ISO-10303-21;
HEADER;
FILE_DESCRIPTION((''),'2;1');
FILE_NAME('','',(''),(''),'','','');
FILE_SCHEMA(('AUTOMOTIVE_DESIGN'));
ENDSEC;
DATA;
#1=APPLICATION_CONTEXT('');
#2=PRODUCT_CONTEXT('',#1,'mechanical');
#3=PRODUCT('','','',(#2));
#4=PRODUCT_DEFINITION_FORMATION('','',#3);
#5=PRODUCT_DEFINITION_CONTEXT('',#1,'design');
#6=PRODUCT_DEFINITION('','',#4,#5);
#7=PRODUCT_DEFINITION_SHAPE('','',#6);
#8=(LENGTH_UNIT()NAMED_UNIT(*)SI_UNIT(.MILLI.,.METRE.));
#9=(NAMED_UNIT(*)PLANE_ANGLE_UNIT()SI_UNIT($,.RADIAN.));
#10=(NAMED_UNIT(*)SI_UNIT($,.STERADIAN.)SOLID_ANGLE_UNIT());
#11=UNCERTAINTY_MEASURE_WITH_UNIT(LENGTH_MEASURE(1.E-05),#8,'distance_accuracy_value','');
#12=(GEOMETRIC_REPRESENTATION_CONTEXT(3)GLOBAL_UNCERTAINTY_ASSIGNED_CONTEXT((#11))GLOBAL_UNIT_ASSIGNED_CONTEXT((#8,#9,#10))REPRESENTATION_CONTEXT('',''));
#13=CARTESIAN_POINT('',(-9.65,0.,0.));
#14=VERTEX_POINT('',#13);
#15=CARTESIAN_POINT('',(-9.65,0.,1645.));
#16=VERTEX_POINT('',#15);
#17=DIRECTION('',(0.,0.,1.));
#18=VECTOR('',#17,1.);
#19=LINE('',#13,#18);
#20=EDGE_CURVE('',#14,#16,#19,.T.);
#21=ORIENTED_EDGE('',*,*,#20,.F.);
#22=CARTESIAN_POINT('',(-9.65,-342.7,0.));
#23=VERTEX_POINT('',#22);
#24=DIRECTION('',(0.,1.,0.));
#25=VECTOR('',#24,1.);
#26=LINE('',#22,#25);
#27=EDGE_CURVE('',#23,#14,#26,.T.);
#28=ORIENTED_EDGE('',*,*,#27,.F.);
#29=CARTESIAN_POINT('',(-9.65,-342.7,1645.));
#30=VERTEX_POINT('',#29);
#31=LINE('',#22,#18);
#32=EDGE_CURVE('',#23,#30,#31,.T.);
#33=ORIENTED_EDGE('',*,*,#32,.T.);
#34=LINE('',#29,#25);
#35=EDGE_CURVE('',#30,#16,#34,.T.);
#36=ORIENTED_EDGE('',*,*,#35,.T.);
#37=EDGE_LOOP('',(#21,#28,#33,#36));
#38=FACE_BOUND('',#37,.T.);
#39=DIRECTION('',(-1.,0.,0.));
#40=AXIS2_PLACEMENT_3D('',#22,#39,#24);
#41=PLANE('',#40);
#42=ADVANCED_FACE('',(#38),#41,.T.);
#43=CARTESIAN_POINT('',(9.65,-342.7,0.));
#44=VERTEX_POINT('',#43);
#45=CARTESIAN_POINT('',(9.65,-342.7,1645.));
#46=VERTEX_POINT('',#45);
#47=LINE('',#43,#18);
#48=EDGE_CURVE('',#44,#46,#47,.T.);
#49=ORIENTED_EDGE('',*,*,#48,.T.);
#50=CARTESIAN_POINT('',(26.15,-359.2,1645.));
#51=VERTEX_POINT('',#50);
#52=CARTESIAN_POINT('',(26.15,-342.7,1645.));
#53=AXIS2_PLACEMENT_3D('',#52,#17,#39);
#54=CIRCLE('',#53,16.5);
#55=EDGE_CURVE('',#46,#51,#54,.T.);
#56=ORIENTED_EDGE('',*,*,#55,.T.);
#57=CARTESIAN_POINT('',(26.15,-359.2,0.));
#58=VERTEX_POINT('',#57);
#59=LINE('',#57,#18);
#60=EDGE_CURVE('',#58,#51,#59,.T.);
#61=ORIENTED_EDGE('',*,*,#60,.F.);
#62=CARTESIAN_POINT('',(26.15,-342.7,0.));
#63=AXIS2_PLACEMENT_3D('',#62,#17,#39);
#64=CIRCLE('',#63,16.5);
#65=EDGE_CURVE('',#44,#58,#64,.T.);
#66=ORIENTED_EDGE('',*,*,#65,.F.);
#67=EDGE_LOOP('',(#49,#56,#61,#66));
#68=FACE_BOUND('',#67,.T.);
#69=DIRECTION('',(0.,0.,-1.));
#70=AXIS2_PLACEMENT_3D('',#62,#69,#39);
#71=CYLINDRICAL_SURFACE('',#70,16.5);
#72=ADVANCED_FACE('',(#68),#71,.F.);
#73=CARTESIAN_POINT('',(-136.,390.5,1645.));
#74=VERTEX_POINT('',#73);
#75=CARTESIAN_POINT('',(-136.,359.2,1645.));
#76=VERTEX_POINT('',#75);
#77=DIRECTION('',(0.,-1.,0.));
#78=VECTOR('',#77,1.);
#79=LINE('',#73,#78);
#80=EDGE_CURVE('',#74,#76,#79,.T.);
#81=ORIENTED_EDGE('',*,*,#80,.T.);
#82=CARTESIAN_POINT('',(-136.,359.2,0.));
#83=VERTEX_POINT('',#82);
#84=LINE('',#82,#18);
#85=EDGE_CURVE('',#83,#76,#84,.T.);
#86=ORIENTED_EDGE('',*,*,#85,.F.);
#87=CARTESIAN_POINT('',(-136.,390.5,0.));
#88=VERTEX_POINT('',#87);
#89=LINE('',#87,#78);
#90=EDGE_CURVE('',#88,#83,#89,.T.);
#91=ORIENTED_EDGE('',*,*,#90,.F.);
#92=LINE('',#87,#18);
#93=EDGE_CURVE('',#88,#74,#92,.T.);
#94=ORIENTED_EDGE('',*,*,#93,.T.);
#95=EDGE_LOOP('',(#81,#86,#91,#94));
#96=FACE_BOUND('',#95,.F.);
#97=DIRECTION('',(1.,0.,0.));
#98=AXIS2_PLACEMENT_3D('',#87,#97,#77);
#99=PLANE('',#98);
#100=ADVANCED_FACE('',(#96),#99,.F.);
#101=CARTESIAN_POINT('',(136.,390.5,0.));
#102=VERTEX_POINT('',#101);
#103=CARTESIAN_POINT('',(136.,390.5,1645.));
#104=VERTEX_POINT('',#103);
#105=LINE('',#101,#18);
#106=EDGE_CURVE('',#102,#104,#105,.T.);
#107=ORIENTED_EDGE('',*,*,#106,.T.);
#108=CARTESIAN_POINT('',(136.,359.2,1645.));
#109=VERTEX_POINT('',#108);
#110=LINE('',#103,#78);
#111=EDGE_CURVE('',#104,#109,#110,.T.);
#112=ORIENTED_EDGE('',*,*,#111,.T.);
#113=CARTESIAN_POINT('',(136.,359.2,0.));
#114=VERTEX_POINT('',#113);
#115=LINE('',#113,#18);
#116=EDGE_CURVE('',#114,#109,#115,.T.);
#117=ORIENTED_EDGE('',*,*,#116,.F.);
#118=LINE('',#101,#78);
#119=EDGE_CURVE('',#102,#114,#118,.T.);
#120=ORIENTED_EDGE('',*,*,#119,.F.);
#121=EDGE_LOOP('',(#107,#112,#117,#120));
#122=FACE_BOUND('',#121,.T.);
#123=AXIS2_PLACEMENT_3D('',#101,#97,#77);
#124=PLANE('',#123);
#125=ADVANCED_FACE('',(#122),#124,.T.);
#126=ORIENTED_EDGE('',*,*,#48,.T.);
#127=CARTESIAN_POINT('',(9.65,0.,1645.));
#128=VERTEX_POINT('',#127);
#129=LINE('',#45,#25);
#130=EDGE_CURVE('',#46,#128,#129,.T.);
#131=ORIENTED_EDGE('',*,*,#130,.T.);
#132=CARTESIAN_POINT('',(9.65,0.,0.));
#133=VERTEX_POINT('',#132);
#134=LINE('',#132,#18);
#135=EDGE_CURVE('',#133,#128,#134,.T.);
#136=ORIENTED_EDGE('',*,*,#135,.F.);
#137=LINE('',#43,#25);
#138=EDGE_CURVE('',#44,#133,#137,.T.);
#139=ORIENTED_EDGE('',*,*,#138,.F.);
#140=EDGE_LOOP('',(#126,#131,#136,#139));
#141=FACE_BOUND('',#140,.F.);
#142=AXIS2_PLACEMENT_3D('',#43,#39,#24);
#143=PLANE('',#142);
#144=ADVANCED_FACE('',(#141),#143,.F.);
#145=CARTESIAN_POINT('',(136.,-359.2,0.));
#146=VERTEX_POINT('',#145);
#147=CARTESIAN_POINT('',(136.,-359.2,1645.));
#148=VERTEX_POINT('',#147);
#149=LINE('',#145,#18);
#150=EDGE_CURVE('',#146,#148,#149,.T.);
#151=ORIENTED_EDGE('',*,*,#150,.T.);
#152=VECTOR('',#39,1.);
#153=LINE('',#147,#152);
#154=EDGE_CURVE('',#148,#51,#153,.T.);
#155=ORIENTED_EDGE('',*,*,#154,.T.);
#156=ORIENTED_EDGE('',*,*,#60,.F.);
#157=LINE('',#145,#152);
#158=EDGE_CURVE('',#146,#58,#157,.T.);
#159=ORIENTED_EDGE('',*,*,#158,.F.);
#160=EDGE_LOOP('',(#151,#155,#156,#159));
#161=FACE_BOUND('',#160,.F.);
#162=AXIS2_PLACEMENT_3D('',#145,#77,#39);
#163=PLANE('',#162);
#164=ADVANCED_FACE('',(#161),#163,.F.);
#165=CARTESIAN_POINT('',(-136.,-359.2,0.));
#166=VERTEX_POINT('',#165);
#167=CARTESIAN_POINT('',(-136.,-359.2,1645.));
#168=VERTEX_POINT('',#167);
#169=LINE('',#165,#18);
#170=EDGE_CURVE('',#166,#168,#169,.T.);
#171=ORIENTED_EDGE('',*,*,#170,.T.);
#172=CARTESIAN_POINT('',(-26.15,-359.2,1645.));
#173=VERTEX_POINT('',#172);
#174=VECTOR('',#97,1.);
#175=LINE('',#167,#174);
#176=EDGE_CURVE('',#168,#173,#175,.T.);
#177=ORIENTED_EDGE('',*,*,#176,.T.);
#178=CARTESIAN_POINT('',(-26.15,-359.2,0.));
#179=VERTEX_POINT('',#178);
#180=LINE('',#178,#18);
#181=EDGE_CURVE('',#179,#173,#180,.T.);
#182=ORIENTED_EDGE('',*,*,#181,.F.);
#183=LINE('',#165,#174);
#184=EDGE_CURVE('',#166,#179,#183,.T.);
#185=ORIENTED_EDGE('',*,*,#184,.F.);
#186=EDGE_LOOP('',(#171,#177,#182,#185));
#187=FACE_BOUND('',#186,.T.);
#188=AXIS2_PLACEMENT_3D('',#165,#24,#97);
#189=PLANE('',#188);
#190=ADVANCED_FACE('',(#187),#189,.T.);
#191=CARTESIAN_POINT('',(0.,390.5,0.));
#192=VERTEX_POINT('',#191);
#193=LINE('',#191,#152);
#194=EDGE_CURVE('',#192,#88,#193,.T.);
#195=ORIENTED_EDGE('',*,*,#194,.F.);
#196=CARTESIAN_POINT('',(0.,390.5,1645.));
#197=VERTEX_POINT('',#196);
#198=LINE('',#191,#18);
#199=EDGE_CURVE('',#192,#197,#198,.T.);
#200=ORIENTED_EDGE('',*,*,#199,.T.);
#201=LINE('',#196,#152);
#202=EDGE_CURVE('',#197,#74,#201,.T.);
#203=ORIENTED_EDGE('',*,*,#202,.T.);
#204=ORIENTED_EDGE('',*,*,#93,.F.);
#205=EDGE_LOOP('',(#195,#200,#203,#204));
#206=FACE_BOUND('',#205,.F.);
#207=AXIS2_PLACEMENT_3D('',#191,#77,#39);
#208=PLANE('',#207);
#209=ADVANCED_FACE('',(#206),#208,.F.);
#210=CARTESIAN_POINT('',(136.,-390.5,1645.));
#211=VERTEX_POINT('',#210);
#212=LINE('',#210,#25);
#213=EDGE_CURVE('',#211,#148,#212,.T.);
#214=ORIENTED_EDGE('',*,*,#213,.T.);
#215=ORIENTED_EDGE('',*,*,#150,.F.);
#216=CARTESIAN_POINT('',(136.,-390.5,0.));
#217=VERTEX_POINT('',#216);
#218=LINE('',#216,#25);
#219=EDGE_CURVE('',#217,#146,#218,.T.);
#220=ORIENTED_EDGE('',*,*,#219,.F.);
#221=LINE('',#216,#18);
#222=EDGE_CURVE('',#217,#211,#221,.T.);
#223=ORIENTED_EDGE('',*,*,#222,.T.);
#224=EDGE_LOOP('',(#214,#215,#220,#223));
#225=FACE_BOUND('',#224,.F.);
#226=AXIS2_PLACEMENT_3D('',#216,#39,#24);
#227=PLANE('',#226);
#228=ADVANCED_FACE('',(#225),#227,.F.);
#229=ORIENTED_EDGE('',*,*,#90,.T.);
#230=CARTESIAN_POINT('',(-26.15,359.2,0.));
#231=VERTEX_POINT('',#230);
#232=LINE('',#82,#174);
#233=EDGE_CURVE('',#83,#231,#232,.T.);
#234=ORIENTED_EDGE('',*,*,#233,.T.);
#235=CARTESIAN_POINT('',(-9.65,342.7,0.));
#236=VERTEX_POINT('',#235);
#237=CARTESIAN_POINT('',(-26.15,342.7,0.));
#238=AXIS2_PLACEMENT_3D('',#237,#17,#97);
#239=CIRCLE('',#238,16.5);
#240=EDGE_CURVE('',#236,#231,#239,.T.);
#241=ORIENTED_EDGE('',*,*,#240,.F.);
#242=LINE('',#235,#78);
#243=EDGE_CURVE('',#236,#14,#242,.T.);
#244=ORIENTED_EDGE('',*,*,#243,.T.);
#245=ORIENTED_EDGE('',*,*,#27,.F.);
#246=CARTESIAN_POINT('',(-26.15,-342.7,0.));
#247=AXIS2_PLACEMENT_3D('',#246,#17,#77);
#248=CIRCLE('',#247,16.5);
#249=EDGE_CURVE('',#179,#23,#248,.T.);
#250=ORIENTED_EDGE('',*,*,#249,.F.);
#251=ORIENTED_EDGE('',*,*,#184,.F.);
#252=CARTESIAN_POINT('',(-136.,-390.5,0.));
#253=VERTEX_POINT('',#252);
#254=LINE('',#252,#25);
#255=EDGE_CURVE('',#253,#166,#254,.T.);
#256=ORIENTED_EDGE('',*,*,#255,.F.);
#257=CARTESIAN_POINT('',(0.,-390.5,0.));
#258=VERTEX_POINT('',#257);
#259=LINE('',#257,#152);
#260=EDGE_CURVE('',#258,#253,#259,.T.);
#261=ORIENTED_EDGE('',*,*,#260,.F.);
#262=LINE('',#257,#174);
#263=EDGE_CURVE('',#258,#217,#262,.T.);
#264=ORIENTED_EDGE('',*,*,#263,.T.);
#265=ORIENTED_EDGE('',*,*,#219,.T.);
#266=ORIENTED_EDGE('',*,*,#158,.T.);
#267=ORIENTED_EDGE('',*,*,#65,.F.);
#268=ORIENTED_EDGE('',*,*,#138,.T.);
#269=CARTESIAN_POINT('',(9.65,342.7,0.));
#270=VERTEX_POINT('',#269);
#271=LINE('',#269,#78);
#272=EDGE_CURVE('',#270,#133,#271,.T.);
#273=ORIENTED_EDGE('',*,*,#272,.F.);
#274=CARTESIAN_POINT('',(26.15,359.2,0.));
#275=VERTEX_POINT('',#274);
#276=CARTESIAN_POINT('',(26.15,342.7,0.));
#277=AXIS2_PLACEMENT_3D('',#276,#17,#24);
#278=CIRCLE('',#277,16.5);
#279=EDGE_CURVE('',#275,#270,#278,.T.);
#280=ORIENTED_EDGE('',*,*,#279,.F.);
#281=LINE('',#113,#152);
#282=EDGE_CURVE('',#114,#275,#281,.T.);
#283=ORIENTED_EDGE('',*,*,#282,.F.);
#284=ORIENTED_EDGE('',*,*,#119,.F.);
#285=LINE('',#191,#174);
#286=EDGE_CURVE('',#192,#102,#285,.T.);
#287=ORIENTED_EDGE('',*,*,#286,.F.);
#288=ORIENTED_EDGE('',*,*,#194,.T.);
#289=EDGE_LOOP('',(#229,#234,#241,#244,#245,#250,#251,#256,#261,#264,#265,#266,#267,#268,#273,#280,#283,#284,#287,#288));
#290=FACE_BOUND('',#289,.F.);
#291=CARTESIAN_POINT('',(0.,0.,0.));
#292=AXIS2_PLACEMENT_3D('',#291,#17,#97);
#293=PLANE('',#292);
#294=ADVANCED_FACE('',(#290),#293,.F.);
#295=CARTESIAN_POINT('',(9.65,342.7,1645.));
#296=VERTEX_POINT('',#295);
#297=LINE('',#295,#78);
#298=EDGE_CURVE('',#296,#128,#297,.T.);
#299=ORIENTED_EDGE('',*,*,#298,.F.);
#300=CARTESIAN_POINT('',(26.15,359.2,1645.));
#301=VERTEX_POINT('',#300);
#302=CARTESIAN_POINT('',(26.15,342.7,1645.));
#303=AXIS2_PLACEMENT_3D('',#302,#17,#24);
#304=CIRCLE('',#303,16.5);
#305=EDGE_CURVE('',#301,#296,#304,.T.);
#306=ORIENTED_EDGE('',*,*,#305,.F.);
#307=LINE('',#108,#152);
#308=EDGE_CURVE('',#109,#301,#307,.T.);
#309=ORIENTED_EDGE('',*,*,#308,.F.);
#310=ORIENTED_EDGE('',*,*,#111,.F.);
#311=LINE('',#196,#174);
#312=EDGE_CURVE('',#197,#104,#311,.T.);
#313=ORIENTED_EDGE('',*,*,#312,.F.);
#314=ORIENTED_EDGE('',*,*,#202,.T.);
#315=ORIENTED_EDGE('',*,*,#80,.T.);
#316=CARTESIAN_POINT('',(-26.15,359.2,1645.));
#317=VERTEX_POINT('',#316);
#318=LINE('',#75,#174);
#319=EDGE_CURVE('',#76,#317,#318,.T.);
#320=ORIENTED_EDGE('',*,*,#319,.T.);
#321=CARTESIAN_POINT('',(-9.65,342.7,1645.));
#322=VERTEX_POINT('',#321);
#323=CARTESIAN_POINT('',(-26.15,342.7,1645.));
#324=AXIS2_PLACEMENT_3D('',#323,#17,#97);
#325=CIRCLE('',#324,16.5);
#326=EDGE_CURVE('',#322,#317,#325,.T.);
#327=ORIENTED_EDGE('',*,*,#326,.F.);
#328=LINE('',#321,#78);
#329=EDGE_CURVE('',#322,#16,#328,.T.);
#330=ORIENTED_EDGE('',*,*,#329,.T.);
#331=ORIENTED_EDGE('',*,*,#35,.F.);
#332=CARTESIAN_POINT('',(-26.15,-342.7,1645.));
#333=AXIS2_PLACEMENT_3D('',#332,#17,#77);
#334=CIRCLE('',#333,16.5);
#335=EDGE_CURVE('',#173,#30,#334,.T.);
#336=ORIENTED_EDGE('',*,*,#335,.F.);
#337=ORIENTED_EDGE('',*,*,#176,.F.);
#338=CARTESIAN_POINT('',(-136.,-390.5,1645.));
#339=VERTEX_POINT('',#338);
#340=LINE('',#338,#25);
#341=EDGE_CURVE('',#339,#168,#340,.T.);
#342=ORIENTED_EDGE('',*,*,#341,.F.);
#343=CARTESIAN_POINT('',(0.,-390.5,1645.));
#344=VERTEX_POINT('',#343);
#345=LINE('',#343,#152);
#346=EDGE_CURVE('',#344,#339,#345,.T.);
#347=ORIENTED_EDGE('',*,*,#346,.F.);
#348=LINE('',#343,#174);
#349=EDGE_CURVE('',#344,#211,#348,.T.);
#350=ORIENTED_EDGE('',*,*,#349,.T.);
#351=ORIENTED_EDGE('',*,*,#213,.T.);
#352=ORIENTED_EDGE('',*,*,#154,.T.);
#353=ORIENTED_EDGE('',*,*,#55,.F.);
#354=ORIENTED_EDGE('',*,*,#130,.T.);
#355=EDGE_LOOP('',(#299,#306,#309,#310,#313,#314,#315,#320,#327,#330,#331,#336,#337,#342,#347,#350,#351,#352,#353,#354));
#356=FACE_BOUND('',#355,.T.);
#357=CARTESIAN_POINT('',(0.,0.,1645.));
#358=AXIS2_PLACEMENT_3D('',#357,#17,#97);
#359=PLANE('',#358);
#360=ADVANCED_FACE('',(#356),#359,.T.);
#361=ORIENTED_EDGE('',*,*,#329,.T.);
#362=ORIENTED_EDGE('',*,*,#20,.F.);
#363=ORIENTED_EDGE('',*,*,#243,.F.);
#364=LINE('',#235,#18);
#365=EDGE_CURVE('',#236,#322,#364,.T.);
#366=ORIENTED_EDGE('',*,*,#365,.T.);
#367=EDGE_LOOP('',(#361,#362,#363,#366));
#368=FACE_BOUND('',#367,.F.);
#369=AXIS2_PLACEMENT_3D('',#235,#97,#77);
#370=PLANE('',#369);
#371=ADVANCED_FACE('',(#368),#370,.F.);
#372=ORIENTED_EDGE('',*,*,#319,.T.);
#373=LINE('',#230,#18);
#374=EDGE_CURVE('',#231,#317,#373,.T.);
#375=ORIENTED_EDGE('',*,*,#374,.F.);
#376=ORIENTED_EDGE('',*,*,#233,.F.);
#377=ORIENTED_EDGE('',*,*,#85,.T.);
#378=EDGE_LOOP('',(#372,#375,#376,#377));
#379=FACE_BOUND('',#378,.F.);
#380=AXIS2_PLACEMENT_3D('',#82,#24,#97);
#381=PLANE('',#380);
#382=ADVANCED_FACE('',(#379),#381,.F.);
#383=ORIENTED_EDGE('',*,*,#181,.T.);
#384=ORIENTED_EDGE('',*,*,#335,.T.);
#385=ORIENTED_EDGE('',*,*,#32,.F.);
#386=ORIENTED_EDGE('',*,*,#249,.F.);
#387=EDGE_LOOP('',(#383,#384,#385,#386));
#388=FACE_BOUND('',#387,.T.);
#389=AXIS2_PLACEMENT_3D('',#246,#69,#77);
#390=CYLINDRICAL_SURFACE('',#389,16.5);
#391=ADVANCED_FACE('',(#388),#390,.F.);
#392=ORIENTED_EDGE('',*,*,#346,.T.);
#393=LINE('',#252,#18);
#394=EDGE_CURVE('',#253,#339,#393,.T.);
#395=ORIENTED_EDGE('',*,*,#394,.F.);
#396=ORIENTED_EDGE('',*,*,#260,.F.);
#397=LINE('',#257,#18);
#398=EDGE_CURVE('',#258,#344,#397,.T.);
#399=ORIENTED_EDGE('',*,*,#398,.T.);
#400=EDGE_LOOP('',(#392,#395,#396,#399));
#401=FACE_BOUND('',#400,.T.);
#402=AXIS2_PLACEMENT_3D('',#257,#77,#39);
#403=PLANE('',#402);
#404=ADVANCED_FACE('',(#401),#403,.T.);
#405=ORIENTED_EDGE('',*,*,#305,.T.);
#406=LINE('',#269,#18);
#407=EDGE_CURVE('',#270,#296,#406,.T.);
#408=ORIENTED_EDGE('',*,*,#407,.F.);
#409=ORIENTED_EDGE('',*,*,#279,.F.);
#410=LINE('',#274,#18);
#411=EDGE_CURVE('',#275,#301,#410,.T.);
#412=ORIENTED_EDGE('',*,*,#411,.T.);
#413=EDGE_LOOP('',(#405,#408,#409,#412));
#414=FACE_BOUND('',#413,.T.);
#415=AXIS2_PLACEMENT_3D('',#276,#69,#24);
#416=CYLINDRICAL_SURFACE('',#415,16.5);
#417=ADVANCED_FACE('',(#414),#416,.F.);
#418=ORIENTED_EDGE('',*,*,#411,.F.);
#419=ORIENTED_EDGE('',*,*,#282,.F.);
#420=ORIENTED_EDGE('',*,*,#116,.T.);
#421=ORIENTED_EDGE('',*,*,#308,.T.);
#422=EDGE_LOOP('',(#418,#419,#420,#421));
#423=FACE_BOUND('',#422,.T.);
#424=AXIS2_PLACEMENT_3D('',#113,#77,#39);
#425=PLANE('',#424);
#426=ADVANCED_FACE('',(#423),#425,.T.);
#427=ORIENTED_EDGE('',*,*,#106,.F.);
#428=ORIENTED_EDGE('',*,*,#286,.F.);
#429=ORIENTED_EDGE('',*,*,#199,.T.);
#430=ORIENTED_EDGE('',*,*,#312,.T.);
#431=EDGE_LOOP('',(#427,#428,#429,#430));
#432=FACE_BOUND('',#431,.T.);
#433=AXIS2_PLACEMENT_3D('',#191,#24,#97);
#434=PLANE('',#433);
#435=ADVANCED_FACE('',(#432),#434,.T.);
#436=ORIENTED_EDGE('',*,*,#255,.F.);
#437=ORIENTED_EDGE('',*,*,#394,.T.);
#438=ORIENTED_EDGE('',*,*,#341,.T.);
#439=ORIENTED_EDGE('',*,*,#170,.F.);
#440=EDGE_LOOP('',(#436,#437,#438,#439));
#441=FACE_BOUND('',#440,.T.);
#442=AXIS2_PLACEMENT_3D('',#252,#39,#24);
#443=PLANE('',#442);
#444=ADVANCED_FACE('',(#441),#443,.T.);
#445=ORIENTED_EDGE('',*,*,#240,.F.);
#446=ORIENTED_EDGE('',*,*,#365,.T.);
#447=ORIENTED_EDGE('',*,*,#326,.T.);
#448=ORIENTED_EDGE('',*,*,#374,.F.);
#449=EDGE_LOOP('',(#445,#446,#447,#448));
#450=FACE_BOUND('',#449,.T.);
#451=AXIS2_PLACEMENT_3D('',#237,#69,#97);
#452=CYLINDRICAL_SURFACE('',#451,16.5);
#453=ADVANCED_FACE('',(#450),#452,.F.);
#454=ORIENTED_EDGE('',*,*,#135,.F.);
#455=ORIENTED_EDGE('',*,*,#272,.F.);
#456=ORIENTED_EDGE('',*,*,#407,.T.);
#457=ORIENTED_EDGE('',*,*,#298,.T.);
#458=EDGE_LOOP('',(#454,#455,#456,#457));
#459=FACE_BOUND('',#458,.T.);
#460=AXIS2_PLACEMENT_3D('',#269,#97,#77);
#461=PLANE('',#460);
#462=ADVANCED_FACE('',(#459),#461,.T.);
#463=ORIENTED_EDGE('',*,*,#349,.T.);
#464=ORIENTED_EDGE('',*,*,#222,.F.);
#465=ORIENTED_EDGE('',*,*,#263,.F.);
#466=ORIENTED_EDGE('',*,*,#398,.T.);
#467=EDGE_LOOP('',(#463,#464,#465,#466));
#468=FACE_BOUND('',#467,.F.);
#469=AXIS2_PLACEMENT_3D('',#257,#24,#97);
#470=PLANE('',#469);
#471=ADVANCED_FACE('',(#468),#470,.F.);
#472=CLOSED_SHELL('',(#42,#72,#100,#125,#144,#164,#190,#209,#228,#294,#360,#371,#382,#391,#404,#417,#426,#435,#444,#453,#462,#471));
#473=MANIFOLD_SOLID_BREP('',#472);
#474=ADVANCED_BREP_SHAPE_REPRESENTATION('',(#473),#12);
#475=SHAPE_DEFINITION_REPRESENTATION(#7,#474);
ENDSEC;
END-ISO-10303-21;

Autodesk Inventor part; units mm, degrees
ref_plane "YZ Plane" through (0, 0, 0) normal (1, 0, 0) x (0, 1, 0)
ref_plane "Start plane" through (0, 0, 0) normal (0, 0, 1) x (1, 0, 0)
ref_plane "End plane" through (0, 0, 1645) normal (0, 0, 1) x (1, 0, 0)
sketch "Sketch" plane through (0, 0, 0) normal (0, 0, 1) x (1, 0, 0)
  line L0 (-136, -390.5) -> (-136, -359.2)
  line L1 (-136, -359.2) -> (-26.15, -359.2)
  line L2 (-9.65, -342.7) -> (-9.65, 0)
  line L3 (-9.65, 0) -> (0, 0) construction
  line L4 (0, 0) -> (0, -390.5) construction
  line L5 (0, -390.5) -> (-136, -390.5)
  line L6 (-60, 0) -> (80, 0) construction
  line L7 (0, -60) -> (0, 80) construction
  line L8 (136, -390.5) -> (136, -359.2)
  line L9 (136, -359.2) -> (26.15, -359.2)
  line L10 (9.65, -342.7) -> (9.65, 0)
  line L11 (9.65, 0) -> (0, 0) construction
  line L12 (0, -390.5) -> (136, -390.5)
  line L13 (-136, 390.5) -> (-136, 359.2)
  line L14 (-136, 359.2) -> (-26.15, 359.2)
  line L15 (-9.65, 342.7) -> (-9.65, 0)
  line L16 (0, 390.5) -> (-136, 390.5)
  line L17 (136, 390.5) -> (136, 359.2)
  line L18 (136, 359.2) -> (26.15, 359.2)
  line L19 (0, 390.5) -> (136, 390.5)
  line L20 (9.65, 342.7) -> (9.65, 0)
  arc A0 (-9.65, 342.7) -> (-26.15, 359.2) centre (-26.15, 342.7) ccw
  arc A1 (26.15, 359.2) -> (9.65, 342.7) centre (26.15, 342.7) ccw
  arc A2 (9.65, -342.7) -> (26.15, -359.2) centre (26.15, -342.7) ccw
  arc A3 (-26.15, -359.2) -> (-9.65, -342.7) centre (-26.15, -342.7) ccw
  line L21 (0, 108) -> (0, -88) construction
  line L22 (-88, 0) -> (108, 0) construction
  point P0 (-9.65, -359.2)
  point P1 (9.65, -359.2)
  point P2 (-9.65, 359.2)
  point P3 (9.65, 359.2)
  dimension "d1" = 390.5
  dimension "d2" = 31.3
  dimension "d3" = 136
  dimension "d4" = 9.65
  dimension "d10" = 16.5
extrude "Body" add sketch "Sketch" along normal up to surface (1645 mm away) from surface at 0
sketch "Sketch4" plane through (0, 0, 0) normal (0, 0, 1) x (1, 0, 0)
  line L0 (0, 0) -> (10, 0)
ref_plane "Work Plane3" through (0, 0, 0) normal (0, -1, 0) x (1, 0, 0)
sketch "Sketch5" plane through (0, 0, 0) normal (0, -1, 0) x (1, 0, 0)
  line L0 (-2, 0) -> (12, 0) projected
  line L1 (-2, 1645) -> (12, 1645) projected
  dimension "d14" = 1645
equation "\"d1\" = 0.5 * G_H"
equation "\"d2\" = G_T1"
equation "\"d3\" = 0.5 * G_W"
equation "\"d4\" = 0.5 * G_T"
equation "\"d10\" = G_IR"
equation "\"d5\" = G_L"
equation "\"G_W\" = 272"
equation "\"G_H\" = 781"
equation "\"G_T\" = 19.3"
equation "\"G_T1\" = 31.3"
equation "\"G_IR\" = 16.5"
equation "\"G_L\" = d14"
equation "\"G_OFFSET_START\" = 0"
equation "\"G_OFFSET_END\" = 0"
equation "\"d12\" = G_OFFSET_END + B_L"
equation "\"B_L\" = 1645"
properties part number "AS 3679-1990 - 760 UB - 244 - 1645" material "Steel, Mild"
